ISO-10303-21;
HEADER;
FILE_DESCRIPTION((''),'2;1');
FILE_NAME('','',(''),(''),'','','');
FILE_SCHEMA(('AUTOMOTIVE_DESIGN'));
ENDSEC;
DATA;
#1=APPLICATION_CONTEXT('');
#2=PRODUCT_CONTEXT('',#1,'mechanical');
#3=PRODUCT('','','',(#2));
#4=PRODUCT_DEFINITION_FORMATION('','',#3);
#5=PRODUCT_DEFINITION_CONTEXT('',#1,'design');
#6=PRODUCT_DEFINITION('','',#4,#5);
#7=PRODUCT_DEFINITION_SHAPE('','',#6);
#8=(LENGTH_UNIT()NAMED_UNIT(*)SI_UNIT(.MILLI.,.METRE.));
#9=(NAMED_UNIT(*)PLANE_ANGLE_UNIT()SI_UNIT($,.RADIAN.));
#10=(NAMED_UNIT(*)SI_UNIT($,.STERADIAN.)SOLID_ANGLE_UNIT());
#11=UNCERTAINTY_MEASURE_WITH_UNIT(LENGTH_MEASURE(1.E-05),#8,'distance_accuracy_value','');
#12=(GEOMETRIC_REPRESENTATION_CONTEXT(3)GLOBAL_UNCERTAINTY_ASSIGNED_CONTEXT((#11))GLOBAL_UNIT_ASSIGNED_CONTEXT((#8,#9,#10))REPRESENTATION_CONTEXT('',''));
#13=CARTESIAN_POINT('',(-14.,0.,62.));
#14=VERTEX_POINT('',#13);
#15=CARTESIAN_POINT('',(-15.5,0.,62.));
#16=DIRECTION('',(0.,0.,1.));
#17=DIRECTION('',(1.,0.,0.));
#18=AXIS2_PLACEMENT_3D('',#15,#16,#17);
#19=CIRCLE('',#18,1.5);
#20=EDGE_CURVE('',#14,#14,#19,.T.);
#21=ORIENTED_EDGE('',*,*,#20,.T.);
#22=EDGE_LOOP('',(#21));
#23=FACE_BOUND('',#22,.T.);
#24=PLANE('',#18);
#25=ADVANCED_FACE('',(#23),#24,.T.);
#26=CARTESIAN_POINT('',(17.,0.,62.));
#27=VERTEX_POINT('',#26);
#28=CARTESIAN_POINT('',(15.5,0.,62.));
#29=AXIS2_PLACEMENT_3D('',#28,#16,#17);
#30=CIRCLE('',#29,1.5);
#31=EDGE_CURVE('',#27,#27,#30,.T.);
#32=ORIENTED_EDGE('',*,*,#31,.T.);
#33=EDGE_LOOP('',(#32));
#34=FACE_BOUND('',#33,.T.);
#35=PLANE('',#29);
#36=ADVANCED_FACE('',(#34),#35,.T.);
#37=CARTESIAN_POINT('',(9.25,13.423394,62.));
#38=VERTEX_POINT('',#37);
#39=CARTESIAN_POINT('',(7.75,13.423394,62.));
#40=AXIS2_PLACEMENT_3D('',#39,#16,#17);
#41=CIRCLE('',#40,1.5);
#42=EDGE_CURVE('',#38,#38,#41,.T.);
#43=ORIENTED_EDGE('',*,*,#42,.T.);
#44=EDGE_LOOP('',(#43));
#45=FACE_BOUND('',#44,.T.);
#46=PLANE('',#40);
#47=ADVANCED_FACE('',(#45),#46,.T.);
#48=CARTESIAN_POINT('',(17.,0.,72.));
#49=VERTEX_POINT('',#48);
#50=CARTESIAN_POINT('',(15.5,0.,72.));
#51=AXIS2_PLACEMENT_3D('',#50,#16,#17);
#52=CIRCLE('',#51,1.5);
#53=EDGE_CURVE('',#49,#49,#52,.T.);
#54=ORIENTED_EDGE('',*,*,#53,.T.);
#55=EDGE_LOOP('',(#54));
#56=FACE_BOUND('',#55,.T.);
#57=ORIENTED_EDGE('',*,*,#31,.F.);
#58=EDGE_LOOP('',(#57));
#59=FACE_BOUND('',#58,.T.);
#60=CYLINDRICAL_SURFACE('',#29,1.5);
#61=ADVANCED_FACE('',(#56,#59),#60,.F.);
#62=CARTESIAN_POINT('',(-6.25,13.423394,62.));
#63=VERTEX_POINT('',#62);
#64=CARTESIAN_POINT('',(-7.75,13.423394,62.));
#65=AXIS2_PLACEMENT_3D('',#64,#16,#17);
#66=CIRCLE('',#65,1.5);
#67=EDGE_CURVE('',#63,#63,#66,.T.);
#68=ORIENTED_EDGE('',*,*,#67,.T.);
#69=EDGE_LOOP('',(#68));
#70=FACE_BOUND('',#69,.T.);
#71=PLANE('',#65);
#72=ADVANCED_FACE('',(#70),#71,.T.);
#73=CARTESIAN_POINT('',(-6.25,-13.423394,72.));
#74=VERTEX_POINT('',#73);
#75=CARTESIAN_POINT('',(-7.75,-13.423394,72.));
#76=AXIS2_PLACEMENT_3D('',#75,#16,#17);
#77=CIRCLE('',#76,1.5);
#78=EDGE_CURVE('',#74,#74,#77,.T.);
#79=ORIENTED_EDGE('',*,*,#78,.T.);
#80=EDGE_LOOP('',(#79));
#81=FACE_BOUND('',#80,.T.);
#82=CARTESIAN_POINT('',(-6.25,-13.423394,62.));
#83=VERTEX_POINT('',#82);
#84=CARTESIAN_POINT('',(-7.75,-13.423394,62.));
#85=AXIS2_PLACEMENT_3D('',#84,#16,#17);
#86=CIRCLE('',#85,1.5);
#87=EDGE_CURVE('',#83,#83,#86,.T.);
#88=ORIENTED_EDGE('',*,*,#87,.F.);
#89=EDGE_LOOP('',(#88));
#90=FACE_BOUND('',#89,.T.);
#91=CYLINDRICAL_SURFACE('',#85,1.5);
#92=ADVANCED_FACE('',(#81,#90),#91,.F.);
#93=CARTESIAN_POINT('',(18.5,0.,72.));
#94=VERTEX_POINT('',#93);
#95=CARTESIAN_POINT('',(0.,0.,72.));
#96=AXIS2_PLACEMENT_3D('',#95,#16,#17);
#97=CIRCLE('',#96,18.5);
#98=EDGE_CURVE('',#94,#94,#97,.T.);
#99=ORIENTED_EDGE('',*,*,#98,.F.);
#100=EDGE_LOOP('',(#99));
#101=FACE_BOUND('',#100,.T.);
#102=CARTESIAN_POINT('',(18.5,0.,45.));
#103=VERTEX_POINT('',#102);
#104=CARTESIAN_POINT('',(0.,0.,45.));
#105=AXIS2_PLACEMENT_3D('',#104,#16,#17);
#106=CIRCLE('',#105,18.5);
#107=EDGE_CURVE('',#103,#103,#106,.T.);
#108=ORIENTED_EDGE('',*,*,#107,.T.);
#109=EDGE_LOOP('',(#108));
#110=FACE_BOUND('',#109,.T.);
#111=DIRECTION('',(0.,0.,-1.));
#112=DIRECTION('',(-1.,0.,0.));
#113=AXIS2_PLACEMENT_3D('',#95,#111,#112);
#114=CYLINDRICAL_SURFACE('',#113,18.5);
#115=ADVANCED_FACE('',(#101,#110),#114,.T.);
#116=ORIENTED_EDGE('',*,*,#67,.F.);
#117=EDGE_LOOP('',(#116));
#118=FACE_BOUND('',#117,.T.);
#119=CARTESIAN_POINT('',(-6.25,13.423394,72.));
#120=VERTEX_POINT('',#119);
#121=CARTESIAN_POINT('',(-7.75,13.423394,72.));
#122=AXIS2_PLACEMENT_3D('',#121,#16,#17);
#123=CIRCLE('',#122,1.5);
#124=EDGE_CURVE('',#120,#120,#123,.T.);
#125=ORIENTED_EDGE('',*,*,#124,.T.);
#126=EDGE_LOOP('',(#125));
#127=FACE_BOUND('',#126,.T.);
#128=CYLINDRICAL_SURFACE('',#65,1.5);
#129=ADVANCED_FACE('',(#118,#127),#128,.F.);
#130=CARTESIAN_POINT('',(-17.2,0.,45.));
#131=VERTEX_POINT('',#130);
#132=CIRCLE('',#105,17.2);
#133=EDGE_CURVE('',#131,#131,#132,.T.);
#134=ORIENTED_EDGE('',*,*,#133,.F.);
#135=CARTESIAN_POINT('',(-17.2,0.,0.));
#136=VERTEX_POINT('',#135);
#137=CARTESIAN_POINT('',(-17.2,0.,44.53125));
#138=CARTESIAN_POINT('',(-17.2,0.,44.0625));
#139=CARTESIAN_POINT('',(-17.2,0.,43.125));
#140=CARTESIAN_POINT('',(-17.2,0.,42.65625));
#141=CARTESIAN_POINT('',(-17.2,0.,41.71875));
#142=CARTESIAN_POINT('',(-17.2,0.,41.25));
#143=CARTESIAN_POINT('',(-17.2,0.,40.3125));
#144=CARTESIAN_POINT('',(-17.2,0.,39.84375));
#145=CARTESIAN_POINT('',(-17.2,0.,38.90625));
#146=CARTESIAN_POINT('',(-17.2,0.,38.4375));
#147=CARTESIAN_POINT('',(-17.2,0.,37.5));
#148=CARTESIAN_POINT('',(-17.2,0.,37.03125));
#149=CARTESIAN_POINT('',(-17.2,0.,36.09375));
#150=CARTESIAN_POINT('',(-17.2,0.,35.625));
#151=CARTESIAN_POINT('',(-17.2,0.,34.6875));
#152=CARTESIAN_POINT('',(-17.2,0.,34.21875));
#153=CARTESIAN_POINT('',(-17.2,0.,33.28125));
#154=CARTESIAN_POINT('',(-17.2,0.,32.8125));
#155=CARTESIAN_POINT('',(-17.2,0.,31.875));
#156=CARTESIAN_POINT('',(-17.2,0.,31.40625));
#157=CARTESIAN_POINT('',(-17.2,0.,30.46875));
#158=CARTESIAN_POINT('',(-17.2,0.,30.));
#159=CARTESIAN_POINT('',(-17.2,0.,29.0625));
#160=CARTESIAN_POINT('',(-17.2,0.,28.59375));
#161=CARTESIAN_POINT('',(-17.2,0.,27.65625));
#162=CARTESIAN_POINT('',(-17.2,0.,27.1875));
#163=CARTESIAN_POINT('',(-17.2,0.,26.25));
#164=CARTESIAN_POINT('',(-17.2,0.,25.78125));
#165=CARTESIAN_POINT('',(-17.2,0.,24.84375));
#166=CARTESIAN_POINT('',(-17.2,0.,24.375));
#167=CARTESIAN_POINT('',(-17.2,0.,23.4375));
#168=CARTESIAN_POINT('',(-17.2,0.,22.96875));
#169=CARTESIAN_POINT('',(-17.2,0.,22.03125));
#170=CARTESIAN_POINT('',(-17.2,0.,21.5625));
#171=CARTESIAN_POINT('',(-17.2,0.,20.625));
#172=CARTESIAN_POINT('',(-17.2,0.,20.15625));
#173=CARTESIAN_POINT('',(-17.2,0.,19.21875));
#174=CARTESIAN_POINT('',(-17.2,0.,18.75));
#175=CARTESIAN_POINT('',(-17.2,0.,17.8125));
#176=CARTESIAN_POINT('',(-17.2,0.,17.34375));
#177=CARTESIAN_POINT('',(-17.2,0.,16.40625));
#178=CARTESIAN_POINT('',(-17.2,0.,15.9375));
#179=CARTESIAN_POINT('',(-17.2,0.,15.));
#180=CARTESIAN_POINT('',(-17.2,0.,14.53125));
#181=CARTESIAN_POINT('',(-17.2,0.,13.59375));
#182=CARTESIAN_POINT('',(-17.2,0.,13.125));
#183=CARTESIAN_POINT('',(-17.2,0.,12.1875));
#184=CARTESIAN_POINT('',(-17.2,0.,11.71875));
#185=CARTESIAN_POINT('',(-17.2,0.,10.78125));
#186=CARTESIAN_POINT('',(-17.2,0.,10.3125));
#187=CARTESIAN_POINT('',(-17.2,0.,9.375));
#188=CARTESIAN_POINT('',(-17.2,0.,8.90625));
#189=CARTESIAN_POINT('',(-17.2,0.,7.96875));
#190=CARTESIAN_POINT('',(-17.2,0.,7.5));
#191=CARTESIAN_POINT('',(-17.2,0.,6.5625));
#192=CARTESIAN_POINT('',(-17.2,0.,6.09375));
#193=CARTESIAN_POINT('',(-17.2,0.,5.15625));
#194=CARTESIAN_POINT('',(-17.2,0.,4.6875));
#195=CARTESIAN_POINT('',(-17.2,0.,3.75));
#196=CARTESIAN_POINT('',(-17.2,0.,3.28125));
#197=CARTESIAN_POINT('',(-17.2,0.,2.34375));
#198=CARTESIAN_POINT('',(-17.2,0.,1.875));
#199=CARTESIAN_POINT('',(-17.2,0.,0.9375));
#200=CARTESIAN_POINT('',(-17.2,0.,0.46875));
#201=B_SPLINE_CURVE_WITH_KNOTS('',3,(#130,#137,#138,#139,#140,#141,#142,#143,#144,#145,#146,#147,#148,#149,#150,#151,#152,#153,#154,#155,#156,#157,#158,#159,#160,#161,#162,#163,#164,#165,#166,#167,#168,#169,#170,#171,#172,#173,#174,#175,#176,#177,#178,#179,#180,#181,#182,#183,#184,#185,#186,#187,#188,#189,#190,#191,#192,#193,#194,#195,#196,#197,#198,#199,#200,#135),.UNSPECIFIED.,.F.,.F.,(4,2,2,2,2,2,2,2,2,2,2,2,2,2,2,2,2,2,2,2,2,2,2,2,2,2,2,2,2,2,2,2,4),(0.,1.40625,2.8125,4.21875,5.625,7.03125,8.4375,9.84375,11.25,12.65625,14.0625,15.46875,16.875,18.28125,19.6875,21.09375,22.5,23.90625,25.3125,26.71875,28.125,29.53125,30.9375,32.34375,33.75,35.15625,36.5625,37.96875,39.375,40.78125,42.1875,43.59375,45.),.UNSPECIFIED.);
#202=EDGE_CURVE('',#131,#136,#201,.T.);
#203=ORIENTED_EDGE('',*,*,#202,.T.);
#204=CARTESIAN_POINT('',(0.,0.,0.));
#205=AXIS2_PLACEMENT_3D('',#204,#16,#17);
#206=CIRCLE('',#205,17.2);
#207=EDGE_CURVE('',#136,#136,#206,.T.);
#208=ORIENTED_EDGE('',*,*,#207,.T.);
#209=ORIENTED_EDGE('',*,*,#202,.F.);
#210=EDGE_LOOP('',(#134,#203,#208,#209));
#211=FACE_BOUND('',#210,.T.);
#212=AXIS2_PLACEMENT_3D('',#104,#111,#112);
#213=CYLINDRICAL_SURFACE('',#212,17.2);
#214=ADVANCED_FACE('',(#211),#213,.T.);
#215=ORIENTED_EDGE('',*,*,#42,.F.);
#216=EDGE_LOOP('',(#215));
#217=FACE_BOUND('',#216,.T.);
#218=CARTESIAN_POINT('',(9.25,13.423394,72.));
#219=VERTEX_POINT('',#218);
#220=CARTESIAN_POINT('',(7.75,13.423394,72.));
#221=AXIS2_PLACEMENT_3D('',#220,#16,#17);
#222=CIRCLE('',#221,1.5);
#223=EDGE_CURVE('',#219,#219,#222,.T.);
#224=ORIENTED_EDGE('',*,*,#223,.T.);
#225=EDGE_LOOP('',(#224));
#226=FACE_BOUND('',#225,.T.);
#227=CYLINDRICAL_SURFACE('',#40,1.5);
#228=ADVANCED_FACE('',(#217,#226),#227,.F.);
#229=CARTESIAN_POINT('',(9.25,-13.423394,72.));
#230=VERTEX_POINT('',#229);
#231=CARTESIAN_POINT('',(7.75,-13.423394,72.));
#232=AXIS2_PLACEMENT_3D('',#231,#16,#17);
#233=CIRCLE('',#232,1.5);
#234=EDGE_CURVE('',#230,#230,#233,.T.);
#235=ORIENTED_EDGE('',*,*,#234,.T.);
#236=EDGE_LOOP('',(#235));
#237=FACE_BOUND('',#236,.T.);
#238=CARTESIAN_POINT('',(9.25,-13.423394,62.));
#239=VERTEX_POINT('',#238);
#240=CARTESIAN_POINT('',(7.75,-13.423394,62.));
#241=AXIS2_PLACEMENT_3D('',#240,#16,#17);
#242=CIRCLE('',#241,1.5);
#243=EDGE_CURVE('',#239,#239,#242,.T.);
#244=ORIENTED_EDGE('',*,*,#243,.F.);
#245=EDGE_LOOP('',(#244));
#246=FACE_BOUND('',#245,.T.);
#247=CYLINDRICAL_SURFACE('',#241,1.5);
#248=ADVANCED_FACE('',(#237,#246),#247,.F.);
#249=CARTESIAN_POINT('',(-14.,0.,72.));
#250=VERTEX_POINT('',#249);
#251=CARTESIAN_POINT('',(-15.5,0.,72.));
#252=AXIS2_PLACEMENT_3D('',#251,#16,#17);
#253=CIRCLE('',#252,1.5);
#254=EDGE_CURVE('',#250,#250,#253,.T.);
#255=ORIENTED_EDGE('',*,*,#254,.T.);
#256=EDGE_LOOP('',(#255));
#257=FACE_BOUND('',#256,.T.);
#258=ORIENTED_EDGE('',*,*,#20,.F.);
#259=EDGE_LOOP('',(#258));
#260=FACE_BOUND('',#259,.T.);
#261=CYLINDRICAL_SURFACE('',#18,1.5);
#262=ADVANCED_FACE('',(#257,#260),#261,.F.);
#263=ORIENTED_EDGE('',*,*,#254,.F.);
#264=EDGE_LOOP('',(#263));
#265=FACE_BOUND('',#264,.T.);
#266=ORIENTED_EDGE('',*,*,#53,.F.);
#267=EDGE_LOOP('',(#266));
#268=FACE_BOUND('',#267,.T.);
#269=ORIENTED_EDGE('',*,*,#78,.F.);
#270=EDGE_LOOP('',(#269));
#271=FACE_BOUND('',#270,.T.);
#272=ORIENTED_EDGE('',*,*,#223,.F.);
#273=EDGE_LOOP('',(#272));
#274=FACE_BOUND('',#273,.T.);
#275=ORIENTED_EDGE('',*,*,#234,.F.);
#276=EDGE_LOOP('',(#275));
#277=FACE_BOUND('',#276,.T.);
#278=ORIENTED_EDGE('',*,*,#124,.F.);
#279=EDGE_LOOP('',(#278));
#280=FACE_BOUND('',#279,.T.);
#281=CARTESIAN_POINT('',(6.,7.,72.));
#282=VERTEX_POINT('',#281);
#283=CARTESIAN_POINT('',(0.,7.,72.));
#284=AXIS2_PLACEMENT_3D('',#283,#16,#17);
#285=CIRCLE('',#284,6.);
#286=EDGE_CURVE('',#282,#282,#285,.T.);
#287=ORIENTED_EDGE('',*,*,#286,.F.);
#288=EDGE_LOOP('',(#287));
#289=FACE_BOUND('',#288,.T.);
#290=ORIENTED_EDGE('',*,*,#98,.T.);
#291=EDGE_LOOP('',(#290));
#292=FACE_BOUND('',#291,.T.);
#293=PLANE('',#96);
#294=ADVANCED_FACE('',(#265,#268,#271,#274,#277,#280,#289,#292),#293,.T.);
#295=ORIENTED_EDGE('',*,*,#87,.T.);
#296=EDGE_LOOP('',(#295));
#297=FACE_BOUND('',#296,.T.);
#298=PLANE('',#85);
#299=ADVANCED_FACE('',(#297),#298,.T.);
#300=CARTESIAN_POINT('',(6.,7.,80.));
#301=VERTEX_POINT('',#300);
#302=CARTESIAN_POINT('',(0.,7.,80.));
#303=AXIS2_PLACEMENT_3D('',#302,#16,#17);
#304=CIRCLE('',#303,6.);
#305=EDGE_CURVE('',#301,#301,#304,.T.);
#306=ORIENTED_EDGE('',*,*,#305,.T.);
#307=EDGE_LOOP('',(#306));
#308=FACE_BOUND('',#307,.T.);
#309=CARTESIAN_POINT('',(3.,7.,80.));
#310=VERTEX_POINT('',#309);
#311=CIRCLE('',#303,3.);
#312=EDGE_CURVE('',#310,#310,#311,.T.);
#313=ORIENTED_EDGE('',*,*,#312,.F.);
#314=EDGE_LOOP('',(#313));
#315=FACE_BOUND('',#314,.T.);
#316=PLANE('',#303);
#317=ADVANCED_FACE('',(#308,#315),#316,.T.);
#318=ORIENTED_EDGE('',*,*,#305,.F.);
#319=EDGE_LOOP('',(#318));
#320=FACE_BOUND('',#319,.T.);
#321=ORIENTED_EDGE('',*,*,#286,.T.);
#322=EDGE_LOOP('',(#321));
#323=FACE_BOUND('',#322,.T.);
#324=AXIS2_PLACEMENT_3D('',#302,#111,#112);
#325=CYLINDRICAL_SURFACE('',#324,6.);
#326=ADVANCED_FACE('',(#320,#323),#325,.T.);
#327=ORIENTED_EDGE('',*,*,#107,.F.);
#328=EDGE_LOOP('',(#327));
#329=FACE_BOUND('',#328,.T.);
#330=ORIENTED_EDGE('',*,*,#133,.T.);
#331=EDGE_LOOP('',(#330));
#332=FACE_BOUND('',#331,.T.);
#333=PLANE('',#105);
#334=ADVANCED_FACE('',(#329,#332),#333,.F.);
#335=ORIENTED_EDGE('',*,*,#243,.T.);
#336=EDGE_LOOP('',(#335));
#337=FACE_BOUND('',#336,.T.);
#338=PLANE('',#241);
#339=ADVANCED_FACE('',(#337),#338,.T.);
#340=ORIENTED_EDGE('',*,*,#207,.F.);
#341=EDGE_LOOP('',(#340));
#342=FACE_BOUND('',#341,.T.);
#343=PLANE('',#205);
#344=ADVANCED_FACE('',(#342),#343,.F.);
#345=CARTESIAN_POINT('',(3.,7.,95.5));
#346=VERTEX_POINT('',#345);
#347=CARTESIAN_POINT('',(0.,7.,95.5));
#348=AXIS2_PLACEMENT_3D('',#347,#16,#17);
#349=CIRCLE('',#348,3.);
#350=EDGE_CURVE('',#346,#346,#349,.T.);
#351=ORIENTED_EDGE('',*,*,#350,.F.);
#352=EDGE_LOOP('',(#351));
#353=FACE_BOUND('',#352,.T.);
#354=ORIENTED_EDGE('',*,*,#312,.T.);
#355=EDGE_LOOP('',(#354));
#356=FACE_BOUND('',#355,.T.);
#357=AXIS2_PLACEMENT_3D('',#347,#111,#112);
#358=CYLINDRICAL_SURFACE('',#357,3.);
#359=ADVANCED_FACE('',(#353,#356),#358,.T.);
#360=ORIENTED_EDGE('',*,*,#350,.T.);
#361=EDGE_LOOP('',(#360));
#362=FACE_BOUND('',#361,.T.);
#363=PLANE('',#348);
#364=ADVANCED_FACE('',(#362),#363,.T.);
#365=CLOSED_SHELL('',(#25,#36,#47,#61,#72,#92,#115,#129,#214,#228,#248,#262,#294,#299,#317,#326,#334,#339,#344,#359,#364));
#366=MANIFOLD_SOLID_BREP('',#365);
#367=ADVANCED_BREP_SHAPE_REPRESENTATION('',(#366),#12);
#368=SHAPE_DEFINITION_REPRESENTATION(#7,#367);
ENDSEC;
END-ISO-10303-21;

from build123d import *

# Parameters (mm, degrees)
SKETCH_1_R          = 17.2
EXTRUDE_1_DEPTH     = 45
SKETCH_2_R          = 18.5
EXTRUDE_2_DEPTH     = 27
SKETCH_6_R          = 1.5
CUT_EXTRUDE_1_DEPTH = 10
SKETCH_3_R          = 6
EXTRUDE_3_DEPTH     = 8
SKETCH_4_R          = 3
EXTRUDE_4_DEPTH     = 15.5


with BuildPart() as part:
    # 草图1 → 凸台-拉伸1 (new body)
    with BuildSketch(Plane.XY):
        with Locations(Location((0, 0, 0), (0, 0, 180))):
            Circle(SKETCH_1_R)
    extrude(amount=EXTRUDE_1_DEPTH)

    # 草图2 → 凸台-拉伸2 (add)
    with BuildSketch(Plane.XY.offset(45)):
        Circle(SKETCH_2_R)
    extrude(amount=EXTRUDE_2_DEPTH)

    # 草图6 → 切除-拉伸1 (cut)
    with BuildSketch(Plane.XY.offset(72)):
        with Locations((-15.5, 0)):
            Circle(SKETCH_6_R)
        with Locations((-7.75, 13.423393759)):
            Circle(SKETCH_6_R)
        with Locations((7.75, 13.423393759)):
            Circle(SKETCH_6_R)
        with Locations((15.5, 0)):
            Circle(SKETCH_6_R)
        with Locations((7.75, -13.423393759)):
            Circle(SKETCH_6_R)
        with Locations((-7.75, -13.423393759)):
            Circle(SKETCH_6_R)
    extrude(amount=-CUT_EXTRUDE_1_DEPTH, mode=Mode.SUBTRACT)

    # 草图3 → 凸台-拉伸3 (add)
    with BuildSketch(Plane.XY.offset(72)):
        with Locations((0, 7)):
            Circle(SKETCH_3_R)
    extrude(amount=EXTRUDE_3_DEPTH)

    # 草图4 → 凸台-拉伸4 (add)
    with BuildSketch(Plane.XY.offset(80)):
        with Locations((0, 7)):
            Circle(SKETCH_4_R)
    extrude(amount=EXTRUDE_4_DEPTH)


solid = part.part
